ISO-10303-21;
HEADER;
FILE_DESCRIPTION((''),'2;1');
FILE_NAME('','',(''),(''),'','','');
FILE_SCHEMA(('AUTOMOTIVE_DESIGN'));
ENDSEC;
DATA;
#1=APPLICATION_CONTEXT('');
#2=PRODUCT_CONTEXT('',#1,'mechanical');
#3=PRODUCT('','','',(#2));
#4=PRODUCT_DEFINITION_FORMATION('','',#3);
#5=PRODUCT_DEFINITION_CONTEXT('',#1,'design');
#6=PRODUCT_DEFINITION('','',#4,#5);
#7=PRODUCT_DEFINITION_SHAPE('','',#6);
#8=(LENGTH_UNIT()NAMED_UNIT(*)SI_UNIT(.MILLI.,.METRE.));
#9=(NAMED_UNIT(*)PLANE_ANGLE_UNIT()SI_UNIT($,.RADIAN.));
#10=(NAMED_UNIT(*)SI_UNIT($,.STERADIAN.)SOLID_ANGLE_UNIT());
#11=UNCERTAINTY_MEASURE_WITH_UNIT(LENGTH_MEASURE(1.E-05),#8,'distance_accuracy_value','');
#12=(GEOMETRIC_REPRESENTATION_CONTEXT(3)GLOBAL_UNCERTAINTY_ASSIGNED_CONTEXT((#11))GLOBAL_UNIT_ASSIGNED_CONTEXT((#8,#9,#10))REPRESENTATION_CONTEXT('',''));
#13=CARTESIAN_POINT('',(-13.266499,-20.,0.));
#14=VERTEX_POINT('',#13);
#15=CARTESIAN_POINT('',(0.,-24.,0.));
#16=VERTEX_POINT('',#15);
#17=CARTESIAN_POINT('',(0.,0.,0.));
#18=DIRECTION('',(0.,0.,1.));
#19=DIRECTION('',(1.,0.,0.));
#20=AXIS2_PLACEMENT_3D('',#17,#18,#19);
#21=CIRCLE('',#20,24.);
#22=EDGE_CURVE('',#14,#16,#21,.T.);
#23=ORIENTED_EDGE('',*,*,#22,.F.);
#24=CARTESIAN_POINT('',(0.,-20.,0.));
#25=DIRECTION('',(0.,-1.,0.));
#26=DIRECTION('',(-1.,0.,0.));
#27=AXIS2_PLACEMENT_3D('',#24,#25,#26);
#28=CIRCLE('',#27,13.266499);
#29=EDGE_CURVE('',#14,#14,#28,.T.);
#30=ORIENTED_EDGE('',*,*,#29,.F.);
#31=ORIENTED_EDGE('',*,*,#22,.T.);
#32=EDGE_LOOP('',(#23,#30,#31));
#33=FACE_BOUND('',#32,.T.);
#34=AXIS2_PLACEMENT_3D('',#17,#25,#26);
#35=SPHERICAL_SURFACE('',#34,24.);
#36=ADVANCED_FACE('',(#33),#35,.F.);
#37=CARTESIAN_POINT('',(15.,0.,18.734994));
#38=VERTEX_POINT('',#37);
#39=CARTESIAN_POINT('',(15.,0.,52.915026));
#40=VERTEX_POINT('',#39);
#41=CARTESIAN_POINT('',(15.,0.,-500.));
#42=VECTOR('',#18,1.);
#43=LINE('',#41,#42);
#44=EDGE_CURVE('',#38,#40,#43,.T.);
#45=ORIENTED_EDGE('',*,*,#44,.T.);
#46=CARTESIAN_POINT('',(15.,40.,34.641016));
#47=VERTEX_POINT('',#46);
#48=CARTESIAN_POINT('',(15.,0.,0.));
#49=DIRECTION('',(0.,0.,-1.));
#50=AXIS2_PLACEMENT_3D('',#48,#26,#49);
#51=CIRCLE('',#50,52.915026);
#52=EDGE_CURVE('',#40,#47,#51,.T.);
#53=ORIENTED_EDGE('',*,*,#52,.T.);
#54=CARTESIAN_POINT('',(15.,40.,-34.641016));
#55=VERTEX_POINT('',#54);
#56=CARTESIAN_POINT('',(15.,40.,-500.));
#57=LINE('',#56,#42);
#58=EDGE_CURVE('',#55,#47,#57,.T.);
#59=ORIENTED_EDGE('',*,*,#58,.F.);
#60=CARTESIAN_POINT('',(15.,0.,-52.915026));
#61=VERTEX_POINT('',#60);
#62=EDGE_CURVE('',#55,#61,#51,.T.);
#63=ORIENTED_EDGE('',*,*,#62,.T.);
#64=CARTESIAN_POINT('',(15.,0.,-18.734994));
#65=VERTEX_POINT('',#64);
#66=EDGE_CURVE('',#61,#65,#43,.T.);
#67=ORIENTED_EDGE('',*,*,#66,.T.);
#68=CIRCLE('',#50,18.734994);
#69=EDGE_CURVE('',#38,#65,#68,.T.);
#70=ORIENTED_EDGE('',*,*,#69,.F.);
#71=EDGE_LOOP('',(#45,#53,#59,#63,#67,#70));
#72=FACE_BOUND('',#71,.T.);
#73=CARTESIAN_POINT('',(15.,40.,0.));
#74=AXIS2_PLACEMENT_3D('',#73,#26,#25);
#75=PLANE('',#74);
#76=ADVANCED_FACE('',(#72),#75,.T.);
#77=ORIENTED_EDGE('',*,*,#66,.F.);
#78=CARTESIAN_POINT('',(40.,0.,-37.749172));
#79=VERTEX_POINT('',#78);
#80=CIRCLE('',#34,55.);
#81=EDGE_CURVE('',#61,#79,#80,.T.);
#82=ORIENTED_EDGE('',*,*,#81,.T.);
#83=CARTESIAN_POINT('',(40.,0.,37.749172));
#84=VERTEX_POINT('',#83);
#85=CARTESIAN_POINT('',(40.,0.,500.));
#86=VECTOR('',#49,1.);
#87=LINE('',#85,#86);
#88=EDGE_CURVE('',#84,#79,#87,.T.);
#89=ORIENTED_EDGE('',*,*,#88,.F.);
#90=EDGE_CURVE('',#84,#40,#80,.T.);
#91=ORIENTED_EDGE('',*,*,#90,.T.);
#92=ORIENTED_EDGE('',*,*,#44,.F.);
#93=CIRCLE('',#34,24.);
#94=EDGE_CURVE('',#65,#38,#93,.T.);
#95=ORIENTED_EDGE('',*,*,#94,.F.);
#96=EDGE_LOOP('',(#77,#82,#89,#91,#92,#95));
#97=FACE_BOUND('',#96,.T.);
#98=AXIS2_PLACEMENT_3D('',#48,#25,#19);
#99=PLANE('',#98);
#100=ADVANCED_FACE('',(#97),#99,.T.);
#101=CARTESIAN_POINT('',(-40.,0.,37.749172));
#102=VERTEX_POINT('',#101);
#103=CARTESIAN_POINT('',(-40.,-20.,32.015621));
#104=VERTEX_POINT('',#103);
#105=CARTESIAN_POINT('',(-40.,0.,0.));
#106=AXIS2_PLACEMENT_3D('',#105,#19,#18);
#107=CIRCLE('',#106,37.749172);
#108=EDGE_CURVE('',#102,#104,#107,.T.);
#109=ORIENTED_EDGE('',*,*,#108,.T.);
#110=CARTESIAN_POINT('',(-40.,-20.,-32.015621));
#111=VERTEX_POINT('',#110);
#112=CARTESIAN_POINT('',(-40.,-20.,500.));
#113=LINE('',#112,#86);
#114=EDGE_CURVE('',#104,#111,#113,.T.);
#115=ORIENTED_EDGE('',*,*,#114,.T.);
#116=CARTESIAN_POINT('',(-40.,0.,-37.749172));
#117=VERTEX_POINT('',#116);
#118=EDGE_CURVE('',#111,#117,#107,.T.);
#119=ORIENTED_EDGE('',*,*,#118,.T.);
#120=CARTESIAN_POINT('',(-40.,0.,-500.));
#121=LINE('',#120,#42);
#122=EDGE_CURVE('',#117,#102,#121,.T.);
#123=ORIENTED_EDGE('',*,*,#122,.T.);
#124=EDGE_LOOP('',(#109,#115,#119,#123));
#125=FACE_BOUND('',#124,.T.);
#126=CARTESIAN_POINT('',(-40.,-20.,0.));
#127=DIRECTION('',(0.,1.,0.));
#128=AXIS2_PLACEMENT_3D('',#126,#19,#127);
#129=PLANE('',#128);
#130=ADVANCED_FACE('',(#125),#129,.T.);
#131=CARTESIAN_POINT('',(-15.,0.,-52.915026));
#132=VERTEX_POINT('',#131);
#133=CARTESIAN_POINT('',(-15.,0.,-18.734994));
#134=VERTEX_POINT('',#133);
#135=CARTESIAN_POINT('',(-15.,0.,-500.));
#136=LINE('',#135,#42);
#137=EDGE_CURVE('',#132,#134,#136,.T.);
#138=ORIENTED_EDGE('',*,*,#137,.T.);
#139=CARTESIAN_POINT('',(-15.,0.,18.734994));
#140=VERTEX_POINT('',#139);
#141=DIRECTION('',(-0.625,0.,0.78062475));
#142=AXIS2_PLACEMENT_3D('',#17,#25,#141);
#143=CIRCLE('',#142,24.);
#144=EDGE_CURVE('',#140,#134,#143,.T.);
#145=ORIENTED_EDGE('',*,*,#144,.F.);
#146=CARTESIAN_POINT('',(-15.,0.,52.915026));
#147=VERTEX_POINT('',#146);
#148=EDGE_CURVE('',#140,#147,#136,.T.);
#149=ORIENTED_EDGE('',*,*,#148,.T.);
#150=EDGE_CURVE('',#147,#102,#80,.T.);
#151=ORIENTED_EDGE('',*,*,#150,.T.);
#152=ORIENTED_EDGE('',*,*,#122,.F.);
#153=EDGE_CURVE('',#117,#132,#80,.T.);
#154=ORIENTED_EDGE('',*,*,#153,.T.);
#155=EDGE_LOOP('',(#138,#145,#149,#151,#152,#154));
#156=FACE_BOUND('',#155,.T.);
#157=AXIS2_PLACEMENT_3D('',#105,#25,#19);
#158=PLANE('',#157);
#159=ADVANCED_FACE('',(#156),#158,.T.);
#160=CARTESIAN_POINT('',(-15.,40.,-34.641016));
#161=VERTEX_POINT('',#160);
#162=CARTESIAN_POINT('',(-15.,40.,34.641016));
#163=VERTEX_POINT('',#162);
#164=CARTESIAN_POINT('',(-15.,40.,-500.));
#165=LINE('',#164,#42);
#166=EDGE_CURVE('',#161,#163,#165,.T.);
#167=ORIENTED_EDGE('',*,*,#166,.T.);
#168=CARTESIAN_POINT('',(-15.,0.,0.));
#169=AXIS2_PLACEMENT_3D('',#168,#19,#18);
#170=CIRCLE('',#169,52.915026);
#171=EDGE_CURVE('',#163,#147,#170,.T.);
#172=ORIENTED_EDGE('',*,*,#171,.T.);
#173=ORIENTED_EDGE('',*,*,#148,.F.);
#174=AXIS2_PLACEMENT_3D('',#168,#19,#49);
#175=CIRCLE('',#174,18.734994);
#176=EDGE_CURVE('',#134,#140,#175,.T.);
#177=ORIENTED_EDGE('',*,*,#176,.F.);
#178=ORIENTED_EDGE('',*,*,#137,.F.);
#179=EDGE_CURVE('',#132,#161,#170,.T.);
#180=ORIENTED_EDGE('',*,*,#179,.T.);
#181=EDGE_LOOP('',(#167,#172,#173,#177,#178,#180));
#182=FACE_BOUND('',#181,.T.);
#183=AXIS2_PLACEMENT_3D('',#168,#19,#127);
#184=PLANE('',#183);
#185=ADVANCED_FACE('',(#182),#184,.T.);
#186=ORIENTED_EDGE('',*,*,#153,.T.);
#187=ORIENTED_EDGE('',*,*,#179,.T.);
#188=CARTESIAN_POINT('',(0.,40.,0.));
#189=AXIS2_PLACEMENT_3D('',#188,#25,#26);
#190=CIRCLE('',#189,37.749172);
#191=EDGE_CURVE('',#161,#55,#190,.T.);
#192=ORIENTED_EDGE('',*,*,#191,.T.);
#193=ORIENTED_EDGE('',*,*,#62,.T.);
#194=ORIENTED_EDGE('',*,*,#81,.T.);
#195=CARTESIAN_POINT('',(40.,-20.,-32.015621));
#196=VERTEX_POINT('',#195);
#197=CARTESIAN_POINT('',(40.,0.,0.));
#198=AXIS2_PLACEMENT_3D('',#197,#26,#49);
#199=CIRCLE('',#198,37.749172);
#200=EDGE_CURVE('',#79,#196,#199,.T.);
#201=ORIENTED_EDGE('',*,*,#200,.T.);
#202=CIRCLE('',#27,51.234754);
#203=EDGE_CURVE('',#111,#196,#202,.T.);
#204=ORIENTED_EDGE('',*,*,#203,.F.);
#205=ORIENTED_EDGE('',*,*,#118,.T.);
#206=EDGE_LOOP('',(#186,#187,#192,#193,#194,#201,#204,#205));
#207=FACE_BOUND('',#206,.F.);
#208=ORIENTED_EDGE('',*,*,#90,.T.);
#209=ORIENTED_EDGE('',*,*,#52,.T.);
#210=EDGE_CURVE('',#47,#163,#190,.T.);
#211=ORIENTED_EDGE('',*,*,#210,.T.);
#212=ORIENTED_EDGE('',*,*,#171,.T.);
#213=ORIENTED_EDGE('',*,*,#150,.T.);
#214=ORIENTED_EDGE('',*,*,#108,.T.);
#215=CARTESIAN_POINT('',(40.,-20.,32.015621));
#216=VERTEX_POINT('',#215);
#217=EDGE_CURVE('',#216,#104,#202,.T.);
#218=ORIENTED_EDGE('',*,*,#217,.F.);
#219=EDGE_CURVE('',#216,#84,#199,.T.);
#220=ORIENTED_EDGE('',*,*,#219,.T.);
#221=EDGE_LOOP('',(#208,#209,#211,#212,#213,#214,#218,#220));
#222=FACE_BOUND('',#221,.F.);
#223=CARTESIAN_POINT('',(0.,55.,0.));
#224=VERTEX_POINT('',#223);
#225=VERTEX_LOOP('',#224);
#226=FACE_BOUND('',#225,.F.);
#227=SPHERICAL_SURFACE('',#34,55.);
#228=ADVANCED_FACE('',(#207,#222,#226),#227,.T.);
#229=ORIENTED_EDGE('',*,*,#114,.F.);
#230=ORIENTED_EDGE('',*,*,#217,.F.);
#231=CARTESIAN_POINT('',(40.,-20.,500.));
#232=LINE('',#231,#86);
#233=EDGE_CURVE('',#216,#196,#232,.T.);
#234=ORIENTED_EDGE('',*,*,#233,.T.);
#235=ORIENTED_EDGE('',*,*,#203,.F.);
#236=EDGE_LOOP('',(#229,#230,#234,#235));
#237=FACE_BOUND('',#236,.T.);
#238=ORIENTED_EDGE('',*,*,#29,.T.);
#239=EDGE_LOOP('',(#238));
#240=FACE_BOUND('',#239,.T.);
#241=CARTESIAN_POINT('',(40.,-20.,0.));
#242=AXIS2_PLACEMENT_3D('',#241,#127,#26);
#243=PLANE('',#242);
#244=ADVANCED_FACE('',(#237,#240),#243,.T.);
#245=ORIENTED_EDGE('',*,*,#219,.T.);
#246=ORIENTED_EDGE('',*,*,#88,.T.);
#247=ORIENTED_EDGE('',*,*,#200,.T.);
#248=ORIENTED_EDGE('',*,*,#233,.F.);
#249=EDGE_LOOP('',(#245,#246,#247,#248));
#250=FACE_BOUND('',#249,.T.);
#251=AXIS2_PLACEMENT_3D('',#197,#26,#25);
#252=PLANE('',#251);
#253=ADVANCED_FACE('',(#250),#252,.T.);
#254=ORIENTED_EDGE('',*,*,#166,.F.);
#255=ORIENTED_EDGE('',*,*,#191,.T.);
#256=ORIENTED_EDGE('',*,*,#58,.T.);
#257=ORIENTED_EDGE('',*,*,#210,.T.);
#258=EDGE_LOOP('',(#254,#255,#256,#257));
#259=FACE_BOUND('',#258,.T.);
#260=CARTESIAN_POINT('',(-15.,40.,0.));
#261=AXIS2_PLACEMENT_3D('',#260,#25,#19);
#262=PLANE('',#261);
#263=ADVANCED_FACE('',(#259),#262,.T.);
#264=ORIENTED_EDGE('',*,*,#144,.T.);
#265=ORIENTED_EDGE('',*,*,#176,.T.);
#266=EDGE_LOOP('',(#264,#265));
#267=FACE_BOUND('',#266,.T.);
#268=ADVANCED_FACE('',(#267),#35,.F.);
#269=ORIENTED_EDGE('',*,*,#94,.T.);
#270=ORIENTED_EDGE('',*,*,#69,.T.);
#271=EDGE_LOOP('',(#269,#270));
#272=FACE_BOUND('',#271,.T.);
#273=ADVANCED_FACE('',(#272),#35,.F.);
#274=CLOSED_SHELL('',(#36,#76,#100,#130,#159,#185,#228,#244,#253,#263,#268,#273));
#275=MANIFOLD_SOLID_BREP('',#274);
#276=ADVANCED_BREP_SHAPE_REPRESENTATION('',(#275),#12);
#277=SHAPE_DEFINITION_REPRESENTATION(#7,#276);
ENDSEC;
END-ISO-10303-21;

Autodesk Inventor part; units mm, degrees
ref_plane "YZ Plane" through (0, 0, 0) normal (1, 0, 0) x (0, 1, 0)
ref_plane "XZ Plane" through (0, 0, 0) normal (0, 1, 0) x (-1, 0, 0)
ref_plane "XY Plane" through (0, 0, 0) normal (0, 0, 1) x (1, 0, 0)
sketch "Эскиз1" plane through (0, 0, 0) normal (0, 0, 1) x (1, 0, 0)
  circle A0 centre (0, 0) radius 55
  circle A1 centre (0, 0) radius 24
  line L0 (0, -55) -> (0, 55)
  point P0 (0, 24)
  point P1 (0, -24)
  dimension "d0" = 110
  dimension "d1" = 48
revolve "Вращение1" add sketch "Эскиз1" angle 360 about axis through (0, -55, 0) along (0, 1, 0) picked at (-44.4519, -0.9643) contours L0 A1 A0
sketch "Эскиз2" plane through (0, 0, 0) normal (0, 0, 1) x (1, 0, 0)
  line L0 (15, 0) -> (-15, 0)
  line L1 (-15, 0) -> (-15, 40)
  line L2 (-15, 40) -> (15, 40)
  line L3 (15, 40) -> (15, 0)
  line L4 (-40, 0) -> (40, 0)
  line L5 (40, 0) -> (40, -20)
  line L6 (40, -20) -> (-40, -20)
  line L7 (-40, -20) -> (-40, 0)
  point P0 (0, 0)
  point P1 (0, 0)
  point P2 (0, 0)
  point P3 (0, 0)
  dimension "d3" = 0
  dimension "d4" = 0
  dimension "d5" = 80
  dimension "d6" = 20
  dimension "d7" = 30
  dimension "d8" = 60
extrude "Выдавливание1" cut sketch "Эскиз2" against normal mid plane 1000
properties part number "1_2"
